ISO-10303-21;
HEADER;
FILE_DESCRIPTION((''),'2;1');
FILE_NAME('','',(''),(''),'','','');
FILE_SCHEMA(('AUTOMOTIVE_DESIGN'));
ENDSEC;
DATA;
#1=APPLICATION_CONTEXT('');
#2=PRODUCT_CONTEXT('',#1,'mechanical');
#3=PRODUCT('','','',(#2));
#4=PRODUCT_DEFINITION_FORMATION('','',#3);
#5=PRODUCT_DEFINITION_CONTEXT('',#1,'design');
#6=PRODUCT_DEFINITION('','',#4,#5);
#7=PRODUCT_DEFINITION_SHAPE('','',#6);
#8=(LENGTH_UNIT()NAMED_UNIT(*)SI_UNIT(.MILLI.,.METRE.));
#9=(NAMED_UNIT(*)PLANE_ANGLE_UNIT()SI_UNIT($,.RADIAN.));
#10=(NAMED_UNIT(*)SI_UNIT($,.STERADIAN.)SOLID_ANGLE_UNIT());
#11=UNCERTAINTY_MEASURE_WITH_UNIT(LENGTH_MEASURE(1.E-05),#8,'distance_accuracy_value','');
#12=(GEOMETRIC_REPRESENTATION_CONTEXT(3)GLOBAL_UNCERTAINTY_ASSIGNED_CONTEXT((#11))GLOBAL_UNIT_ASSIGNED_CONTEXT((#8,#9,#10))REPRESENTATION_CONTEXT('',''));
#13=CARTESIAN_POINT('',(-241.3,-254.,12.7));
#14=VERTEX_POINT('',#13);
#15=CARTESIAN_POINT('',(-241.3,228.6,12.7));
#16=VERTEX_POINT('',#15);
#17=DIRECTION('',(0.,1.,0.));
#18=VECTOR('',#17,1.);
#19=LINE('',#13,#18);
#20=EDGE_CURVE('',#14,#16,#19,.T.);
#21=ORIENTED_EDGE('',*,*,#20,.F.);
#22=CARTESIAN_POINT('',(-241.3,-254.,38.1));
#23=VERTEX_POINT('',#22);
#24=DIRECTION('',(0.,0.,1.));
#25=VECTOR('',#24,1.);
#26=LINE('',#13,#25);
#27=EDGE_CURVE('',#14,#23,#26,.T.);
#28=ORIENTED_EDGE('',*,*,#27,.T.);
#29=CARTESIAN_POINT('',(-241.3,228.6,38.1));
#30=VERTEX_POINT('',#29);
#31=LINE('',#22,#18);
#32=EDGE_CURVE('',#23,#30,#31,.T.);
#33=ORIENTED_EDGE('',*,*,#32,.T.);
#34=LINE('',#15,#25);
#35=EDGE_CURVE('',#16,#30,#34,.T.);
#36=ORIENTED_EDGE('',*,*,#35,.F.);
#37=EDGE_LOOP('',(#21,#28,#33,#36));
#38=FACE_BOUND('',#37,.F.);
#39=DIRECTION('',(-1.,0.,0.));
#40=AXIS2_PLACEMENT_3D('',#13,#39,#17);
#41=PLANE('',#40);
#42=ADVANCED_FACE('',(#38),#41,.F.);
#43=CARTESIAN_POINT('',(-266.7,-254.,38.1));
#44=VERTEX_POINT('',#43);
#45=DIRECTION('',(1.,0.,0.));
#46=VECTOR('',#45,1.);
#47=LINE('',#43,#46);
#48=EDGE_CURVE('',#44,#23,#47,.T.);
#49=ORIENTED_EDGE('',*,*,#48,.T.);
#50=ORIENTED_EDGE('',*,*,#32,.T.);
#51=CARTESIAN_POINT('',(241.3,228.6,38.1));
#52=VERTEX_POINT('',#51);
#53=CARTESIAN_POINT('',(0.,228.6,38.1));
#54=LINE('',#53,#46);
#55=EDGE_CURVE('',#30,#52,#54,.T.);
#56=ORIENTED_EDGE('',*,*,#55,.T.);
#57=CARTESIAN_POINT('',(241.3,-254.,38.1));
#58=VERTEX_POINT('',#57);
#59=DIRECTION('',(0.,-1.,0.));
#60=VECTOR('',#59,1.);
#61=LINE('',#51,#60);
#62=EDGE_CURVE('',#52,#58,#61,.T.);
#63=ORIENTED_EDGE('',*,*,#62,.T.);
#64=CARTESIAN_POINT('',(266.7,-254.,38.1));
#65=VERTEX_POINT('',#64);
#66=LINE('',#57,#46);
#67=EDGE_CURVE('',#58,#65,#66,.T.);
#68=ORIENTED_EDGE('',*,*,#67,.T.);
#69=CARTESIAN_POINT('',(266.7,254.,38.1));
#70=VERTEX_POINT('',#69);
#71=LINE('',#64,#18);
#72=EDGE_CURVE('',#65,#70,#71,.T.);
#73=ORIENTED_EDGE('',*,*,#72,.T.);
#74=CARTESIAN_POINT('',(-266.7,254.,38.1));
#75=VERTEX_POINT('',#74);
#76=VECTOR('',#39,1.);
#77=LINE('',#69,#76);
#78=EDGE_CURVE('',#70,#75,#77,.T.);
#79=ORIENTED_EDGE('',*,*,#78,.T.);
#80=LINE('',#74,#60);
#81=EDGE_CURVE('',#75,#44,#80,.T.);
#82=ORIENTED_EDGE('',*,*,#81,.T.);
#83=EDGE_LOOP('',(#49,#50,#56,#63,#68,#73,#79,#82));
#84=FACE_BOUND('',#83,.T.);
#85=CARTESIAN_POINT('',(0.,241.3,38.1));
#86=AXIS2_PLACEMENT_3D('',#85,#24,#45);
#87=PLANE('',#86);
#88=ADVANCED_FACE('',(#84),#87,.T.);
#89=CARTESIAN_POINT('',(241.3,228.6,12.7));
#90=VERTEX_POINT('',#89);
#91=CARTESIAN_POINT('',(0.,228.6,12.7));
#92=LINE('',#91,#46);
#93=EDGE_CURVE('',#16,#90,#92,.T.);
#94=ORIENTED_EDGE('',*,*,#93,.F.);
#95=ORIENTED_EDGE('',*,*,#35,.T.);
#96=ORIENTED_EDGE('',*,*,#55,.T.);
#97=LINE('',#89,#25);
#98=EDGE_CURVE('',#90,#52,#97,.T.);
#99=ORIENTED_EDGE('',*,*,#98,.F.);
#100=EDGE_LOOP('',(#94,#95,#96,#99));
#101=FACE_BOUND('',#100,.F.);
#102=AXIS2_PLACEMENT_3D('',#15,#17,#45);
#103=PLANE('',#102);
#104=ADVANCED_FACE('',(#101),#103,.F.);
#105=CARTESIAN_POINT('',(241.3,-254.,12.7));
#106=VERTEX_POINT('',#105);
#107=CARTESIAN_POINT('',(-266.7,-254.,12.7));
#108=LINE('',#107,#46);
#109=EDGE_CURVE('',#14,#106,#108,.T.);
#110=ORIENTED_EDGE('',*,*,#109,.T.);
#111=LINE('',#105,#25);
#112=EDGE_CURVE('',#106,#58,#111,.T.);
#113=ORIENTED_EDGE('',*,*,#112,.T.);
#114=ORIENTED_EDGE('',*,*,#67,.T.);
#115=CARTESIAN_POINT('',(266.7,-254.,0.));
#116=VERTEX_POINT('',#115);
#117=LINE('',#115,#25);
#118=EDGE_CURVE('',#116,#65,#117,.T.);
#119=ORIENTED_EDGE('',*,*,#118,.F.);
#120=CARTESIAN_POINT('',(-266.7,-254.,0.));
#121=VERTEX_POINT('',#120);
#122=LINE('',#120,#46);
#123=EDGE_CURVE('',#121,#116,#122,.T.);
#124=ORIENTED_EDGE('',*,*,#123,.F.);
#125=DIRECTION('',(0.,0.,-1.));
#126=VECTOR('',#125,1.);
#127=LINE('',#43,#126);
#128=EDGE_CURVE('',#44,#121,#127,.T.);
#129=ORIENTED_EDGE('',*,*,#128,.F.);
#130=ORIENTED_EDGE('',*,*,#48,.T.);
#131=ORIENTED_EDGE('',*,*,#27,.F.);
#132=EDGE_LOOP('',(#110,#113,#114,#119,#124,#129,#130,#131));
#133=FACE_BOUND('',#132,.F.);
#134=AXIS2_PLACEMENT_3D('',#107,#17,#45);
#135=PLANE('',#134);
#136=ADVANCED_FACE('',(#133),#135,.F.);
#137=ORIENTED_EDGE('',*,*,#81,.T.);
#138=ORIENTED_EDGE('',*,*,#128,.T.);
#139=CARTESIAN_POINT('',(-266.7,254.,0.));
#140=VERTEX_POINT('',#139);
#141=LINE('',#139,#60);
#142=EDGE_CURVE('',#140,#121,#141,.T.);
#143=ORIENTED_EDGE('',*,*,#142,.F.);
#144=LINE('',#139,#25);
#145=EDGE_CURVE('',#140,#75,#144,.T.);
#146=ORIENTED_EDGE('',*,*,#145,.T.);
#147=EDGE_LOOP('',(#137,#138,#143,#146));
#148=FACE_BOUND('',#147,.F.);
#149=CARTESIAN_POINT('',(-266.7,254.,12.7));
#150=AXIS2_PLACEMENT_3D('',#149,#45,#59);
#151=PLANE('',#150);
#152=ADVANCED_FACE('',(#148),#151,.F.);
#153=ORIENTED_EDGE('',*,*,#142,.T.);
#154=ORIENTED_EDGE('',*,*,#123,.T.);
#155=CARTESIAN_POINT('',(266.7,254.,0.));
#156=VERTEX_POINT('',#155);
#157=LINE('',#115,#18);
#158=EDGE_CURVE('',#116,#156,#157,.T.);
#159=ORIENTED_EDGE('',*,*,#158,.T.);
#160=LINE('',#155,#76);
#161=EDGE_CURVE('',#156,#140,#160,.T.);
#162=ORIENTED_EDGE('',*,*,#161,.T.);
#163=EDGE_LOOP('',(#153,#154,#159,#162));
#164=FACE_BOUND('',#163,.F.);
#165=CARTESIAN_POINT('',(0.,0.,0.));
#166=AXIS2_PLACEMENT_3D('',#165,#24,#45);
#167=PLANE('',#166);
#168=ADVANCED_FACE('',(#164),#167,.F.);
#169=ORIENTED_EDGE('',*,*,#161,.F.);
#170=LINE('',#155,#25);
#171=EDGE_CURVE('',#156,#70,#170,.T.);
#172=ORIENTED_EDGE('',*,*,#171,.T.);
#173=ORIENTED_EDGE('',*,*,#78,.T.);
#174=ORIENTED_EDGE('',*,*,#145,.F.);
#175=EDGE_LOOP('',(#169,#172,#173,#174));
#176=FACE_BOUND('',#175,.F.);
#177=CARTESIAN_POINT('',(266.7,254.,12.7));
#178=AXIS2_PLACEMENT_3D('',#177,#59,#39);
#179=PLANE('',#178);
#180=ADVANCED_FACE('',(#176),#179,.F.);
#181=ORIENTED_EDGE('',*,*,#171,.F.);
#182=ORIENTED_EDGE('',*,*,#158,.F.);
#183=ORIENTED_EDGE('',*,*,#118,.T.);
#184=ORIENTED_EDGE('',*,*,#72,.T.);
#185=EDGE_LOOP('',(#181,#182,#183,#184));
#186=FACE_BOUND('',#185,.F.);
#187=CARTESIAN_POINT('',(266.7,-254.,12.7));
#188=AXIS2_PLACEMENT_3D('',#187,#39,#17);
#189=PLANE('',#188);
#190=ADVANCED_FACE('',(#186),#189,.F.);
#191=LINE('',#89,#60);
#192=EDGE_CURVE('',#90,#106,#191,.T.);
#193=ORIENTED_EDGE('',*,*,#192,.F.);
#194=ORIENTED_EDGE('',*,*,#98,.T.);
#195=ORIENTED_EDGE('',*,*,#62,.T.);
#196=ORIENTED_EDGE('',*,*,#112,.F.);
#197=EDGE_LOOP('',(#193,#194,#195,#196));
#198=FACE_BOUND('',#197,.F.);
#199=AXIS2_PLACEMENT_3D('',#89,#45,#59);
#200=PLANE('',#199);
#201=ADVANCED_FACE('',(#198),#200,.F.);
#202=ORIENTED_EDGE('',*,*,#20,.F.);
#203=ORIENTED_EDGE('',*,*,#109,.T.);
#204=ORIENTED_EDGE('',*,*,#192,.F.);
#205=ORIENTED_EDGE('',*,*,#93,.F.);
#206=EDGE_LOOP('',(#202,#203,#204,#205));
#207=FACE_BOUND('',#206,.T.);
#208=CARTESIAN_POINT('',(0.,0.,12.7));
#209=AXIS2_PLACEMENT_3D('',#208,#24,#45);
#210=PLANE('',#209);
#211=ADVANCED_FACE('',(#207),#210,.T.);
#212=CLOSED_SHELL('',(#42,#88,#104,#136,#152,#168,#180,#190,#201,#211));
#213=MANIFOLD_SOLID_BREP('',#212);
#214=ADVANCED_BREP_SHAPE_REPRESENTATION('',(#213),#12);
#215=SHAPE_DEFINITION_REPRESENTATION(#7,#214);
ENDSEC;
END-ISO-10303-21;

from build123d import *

# Parameters (mm, degrees)
F1_DEPTH = 12.7
F2_W     = 482.6
F2_H     = 25.4
F3_DEPTH = 25.4


with BuildPart() as f1:
    # F0 (on Top) → F1 (new body)
    with BuildSketch(Plane.XY):
        Polygon((-241.3, 254), (-266.7, 254), (-266.7, -254), (266.7, -254), (266.7, 254), (241.3, 254), align=None)
    extrude(amount=F1_DEPTH)

    # F2 (on face) → F3 (join)
    with BuildSketch(Plane.XY.offset(12.7)):
        with Locations((0, 241.3)):
            Rectangle(F2_W, F2_H)
        Polygon((-241.3, 254), (-266.7, 254), (-266.7, -254), (-241.3, -254), (-241.3, 228.6), align=None)
        Polygon((266.7, 254), (241.3, 254), (241.3, 228.6), (241.3, -254), (266.7, -254), align=None)
    extrude(amount=F3_DEPTH)


solid = f1.part
